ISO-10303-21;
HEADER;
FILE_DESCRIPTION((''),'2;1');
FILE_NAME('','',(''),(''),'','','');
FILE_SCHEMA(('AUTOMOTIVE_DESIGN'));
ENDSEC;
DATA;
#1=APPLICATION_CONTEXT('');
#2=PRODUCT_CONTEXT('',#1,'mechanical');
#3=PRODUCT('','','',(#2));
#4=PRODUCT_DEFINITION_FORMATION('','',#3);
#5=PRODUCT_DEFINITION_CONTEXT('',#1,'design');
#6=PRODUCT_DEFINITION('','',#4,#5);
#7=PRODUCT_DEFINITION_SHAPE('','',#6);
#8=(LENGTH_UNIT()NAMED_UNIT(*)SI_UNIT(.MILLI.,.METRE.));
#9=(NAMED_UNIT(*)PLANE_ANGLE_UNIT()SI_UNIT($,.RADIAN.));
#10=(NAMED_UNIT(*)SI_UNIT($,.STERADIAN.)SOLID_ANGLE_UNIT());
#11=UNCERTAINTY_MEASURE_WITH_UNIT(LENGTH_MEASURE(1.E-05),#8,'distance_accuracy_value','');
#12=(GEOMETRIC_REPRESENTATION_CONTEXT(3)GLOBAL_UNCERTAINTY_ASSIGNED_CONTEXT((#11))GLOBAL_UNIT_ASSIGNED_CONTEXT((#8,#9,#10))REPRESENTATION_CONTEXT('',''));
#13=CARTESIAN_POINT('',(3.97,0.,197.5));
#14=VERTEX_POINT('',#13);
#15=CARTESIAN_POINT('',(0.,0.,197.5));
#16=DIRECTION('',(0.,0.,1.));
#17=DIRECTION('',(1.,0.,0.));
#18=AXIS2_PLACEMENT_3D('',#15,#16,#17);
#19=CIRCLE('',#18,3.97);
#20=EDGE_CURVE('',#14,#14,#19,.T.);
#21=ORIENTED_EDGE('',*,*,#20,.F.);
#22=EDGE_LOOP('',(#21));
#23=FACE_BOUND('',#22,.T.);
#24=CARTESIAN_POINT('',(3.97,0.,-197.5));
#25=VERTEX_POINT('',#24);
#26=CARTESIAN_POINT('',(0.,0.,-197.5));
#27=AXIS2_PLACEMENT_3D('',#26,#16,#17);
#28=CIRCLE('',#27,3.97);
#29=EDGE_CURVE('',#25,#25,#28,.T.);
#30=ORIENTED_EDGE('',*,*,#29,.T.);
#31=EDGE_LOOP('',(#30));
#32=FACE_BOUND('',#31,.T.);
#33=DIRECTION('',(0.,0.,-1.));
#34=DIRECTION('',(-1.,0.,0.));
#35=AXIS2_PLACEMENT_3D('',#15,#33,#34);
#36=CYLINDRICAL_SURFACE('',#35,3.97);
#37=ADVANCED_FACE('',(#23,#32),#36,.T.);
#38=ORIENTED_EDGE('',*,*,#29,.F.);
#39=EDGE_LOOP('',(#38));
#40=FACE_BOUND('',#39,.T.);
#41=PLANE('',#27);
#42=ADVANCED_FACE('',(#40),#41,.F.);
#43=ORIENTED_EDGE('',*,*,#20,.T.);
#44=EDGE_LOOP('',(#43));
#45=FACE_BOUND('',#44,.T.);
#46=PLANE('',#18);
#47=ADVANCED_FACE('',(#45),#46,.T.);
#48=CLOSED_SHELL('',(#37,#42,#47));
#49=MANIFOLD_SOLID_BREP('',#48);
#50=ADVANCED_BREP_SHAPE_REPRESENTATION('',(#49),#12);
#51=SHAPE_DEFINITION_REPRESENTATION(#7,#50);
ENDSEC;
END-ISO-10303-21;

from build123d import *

# Parameters (mm, degrees)
ESBO_O1_R                = 3.97
RESSALTO_EXTRUS_O1_DEPTH = 197.5


with BuildPart() as part:
    # Esboço1 → Ressalto-extrusão1 (new body, symmetric)
    with BuildSketch(Plane.XY):
        Circle(ESBO_O1_R)
    extrude(amount=RESSALTO_EXTRUS_O1_DEPTH, both=True)


solid = part.part
